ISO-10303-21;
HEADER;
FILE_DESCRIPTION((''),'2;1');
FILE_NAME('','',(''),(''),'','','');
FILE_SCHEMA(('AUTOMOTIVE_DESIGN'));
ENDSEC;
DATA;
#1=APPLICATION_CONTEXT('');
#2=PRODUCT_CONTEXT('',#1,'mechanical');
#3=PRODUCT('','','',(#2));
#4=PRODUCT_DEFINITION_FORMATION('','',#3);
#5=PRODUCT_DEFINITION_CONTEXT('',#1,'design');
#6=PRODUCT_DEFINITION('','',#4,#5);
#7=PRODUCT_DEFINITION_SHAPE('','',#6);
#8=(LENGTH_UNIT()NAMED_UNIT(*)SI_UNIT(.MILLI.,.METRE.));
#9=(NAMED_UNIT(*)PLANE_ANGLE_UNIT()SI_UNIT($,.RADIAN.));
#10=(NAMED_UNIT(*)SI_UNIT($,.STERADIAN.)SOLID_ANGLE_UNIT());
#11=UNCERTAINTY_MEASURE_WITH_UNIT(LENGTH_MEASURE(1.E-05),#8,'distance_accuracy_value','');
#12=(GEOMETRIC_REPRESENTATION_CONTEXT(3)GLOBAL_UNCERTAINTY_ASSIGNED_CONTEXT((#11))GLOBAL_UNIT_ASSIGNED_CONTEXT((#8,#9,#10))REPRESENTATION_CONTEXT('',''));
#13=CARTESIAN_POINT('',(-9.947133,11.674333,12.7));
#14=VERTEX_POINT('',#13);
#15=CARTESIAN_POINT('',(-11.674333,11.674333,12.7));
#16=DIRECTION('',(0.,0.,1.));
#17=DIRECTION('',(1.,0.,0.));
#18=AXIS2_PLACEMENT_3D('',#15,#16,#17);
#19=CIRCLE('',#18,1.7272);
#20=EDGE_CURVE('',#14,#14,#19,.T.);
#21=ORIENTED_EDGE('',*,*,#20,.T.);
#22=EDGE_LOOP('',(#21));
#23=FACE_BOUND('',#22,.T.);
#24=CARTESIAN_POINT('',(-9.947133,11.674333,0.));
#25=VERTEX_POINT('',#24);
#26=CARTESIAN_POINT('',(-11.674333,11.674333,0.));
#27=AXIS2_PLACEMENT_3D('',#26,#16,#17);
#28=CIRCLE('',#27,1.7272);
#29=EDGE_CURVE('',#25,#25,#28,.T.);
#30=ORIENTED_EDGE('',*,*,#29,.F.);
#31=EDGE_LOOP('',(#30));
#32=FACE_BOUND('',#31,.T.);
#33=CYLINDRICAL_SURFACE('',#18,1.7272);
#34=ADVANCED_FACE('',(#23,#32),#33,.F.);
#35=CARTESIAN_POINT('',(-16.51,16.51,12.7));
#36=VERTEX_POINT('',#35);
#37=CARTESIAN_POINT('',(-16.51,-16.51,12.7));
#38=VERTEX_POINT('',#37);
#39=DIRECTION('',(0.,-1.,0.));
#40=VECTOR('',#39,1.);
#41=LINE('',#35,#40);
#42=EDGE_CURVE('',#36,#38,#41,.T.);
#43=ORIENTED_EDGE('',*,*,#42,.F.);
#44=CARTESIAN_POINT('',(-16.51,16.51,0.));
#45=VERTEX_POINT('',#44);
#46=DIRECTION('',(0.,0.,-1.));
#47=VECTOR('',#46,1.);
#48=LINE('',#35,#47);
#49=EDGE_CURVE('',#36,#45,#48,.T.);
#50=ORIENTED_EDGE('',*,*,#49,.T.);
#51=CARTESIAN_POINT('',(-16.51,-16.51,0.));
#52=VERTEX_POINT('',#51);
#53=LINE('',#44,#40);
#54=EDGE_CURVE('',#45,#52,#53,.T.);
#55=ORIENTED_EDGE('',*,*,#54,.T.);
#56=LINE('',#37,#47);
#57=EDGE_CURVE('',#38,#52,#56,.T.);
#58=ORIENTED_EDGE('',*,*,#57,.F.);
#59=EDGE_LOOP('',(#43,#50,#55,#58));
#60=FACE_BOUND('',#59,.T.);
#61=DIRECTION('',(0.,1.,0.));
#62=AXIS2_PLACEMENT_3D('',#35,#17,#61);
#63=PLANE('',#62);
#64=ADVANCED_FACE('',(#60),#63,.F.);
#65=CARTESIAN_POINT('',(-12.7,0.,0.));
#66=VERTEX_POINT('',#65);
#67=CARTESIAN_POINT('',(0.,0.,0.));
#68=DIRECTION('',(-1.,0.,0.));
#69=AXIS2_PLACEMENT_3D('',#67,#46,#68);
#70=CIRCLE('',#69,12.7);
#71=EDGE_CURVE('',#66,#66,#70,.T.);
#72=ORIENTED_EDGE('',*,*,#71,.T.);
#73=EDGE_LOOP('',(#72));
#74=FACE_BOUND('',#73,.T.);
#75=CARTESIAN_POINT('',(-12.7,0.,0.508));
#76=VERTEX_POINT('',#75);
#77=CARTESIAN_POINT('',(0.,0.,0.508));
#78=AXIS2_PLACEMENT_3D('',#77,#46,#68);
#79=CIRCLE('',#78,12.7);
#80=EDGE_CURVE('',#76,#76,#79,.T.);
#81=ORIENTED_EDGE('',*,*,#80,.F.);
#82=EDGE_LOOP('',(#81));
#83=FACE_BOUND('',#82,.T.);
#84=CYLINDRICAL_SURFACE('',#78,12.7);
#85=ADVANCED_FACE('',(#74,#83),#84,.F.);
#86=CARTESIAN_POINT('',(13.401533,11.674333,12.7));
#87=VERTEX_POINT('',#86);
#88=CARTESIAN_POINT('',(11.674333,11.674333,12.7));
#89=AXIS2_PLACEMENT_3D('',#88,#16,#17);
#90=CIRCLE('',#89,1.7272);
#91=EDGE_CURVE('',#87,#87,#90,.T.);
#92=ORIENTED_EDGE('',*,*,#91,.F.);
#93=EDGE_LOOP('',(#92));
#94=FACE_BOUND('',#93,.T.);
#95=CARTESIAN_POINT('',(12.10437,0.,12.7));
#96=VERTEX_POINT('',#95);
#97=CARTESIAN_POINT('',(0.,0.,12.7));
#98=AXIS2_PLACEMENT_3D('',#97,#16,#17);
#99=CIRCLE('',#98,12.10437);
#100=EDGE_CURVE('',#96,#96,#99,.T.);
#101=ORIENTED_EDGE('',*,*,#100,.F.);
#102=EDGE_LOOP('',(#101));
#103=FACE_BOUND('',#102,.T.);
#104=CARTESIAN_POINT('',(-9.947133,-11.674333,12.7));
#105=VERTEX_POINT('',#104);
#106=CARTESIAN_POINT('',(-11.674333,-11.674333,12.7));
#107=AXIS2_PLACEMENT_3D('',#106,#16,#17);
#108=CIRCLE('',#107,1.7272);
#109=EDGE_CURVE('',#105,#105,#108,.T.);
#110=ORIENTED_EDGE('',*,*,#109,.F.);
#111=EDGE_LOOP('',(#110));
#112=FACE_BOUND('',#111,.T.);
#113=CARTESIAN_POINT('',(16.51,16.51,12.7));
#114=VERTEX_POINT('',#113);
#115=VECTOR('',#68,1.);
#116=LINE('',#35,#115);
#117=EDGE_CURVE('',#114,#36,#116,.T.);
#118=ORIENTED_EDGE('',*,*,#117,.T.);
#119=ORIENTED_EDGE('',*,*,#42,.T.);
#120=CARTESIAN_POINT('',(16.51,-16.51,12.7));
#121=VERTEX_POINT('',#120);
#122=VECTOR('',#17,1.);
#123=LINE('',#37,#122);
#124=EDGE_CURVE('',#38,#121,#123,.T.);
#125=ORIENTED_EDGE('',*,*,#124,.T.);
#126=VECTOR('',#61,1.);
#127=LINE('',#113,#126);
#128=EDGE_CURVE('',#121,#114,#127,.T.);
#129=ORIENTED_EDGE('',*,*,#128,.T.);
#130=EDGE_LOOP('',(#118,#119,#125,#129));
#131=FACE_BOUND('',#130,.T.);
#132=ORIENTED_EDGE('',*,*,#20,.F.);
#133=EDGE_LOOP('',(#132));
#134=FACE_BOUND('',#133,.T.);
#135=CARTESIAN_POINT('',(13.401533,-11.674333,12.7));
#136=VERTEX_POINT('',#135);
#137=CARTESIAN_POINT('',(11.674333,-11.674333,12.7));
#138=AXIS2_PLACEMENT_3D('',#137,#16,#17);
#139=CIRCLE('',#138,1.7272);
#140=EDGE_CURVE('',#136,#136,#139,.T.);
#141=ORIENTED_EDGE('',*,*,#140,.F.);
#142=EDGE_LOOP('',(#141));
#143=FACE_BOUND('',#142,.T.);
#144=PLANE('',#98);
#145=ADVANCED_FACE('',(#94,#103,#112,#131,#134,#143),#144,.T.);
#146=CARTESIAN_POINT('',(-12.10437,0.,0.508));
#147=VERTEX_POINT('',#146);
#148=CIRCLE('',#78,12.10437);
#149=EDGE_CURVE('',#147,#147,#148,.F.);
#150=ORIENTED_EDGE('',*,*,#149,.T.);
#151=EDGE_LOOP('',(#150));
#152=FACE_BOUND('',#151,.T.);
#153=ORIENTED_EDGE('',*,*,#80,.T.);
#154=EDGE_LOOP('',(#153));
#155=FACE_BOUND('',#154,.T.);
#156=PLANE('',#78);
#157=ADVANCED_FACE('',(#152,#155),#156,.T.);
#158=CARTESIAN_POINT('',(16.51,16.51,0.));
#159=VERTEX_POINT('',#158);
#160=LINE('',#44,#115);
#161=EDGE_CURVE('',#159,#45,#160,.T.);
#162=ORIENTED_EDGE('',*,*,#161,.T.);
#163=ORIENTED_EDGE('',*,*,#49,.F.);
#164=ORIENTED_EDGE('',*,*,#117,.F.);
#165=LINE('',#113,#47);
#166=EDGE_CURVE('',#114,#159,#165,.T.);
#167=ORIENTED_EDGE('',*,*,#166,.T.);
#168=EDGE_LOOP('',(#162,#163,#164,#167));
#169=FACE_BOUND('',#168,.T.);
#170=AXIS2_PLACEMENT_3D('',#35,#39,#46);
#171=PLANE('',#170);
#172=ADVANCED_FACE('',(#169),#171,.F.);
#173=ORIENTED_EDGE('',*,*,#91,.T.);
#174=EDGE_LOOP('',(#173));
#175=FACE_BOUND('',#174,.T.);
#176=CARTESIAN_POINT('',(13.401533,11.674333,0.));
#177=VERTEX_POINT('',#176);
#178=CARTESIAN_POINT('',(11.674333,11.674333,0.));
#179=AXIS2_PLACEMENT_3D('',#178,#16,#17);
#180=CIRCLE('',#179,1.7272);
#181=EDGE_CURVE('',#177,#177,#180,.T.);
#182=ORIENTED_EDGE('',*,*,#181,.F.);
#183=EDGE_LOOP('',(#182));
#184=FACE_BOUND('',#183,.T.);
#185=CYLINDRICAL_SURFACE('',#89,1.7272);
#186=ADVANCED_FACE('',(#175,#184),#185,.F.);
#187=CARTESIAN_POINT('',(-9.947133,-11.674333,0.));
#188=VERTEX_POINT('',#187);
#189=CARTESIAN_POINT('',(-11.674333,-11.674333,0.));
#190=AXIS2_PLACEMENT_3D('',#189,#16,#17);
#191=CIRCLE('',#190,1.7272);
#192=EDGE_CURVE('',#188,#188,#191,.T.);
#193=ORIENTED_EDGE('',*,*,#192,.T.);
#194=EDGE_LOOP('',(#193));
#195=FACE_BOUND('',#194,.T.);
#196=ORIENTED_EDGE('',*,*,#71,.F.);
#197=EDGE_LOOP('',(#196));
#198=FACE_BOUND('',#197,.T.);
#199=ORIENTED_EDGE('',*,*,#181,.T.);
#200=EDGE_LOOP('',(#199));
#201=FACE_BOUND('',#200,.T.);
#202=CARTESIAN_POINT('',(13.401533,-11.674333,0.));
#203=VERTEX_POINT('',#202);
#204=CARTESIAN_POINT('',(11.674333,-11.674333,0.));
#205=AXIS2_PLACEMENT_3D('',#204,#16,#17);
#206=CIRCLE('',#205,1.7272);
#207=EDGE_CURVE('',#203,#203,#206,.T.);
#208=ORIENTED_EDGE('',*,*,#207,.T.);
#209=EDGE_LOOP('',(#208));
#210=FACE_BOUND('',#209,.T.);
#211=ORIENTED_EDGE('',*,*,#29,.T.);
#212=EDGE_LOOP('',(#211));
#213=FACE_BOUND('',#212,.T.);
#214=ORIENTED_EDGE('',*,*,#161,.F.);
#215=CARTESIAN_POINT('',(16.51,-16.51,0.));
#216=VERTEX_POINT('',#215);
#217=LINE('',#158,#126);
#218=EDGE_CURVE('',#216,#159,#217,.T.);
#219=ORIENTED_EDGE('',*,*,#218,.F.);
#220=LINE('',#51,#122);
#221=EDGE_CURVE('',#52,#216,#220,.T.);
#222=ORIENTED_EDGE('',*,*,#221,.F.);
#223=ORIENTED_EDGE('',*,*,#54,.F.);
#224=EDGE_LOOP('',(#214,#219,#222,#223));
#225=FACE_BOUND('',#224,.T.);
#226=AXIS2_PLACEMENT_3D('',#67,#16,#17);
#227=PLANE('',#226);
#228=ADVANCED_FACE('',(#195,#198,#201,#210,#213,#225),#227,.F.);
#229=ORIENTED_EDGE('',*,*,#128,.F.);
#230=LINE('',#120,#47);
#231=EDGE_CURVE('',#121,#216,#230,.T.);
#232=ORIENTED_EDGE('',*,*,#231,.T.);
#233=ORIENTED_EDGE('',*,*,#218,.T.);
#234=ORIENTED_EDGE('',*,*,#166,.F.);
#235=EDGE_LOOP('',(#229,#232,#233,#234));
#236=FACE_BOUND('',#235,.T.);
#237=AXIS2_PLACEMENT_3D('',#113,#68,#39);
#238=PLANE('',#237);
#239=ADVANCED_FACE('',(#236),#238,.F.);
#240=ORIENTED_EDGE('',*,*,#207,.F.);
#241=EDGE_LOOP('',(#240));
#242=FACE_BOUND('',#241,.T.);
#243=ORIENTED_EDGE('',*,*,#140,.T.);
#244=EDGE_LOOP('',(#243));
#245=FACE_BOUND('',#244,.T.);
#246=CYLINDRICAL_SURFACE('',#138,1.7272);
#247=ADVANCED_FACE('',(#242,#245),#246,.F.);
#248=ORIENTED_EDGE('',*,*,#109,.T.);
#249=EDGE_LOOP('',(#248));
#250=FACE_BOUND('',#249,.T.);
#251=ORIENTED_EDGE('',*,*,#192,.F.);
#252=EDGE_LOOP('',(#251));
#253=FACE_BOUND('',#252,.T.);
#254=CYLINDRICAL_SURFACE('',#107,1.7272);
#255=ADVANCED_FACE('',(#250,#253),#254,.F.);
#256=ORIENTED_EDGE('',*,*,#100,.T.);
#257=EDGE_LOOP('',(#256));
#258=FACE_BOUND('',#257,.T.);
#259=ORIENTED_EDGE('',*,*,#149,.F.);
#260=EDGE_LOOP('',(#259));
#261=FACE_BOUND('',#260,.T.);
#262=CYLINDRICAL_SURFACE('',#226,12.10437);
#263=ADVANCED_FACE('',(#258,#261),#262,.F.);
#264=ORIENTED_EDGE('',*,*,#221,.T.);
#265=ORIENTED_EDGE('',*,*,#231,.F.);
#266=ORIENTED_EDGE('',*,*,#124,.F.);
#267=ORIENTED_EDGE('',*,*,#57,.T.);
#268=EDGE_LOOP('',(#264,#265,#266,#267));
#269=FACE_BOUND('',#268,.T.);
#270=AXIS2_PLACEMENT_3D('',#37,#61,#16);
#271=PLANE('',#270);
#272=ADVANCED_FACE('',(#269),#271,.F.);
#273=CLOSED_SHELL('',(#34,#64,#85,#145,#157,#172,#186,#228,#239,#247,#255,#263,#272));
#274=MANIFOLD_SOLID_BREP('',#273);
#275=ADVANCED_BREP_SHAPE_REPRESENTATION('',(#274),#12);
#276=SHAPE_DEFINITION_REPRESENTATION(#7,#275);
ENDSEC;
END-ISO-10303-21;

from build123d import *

# Parameters (mm, degrees)
SKETCH2_W             = 33.02
SKETCH2_H             = 33.02
BOSS_EXTRUDE1_DEPTH   = 12.7
SKETCH3_R             = 12.10437
CUT_EXTRUDE1_DEPTH    = 27.579130911
F_8_32_TAPPED_HOLE1_D = 3.4544
SKETCH9_R             = 12.7
CUT_EXTRUDE2_DEPTH    = 0.508


with BuildPart() as part:
    # Sketch2 → Boss-Extrude1 (new body)
    with BuildSketch(Plane.XY):
        Rectangle(SKETCH2_W, SKETCH2_H)
    extrude(amount=BOSS_EXTRUDE1_DEPTH)

    # Sketch3 → Cut-Extrude1 (cut, through all)
    with BuildSketch(Plane.XY.offset(12.7)):
        Circle(SKETCH3_R)
    extrude(amount=-CUT_EXTRUDE1_DEPTH, mode=Mode.SUBTRACT)

    # #8-32 Tapped Hole1 (through all)
    with Locations(Plane.XY.offset(12.7)):
        with Locations((-11.674332957, 11.674332957), (11.674332957, 11.674332957), (11.674332957, -11.674332957), (-11.674332957, -11.674332957)):
            Hole(F_8_32_TAPPED_HOLE1_D / 2)

    # Sketch9 → Cut-Extrude2 (cut)
    with BuildSketch(Plane(origin=(0, 0, 0), x_dir=(-1, 0, 0), z_dir=(0, 0, -1))):
        Circle(SKETCH9_R)
    extrude(amount=-CUT_EXTRUDE2_DEPTH, mode=Mode.SUBTRACT)


solid = part.part
